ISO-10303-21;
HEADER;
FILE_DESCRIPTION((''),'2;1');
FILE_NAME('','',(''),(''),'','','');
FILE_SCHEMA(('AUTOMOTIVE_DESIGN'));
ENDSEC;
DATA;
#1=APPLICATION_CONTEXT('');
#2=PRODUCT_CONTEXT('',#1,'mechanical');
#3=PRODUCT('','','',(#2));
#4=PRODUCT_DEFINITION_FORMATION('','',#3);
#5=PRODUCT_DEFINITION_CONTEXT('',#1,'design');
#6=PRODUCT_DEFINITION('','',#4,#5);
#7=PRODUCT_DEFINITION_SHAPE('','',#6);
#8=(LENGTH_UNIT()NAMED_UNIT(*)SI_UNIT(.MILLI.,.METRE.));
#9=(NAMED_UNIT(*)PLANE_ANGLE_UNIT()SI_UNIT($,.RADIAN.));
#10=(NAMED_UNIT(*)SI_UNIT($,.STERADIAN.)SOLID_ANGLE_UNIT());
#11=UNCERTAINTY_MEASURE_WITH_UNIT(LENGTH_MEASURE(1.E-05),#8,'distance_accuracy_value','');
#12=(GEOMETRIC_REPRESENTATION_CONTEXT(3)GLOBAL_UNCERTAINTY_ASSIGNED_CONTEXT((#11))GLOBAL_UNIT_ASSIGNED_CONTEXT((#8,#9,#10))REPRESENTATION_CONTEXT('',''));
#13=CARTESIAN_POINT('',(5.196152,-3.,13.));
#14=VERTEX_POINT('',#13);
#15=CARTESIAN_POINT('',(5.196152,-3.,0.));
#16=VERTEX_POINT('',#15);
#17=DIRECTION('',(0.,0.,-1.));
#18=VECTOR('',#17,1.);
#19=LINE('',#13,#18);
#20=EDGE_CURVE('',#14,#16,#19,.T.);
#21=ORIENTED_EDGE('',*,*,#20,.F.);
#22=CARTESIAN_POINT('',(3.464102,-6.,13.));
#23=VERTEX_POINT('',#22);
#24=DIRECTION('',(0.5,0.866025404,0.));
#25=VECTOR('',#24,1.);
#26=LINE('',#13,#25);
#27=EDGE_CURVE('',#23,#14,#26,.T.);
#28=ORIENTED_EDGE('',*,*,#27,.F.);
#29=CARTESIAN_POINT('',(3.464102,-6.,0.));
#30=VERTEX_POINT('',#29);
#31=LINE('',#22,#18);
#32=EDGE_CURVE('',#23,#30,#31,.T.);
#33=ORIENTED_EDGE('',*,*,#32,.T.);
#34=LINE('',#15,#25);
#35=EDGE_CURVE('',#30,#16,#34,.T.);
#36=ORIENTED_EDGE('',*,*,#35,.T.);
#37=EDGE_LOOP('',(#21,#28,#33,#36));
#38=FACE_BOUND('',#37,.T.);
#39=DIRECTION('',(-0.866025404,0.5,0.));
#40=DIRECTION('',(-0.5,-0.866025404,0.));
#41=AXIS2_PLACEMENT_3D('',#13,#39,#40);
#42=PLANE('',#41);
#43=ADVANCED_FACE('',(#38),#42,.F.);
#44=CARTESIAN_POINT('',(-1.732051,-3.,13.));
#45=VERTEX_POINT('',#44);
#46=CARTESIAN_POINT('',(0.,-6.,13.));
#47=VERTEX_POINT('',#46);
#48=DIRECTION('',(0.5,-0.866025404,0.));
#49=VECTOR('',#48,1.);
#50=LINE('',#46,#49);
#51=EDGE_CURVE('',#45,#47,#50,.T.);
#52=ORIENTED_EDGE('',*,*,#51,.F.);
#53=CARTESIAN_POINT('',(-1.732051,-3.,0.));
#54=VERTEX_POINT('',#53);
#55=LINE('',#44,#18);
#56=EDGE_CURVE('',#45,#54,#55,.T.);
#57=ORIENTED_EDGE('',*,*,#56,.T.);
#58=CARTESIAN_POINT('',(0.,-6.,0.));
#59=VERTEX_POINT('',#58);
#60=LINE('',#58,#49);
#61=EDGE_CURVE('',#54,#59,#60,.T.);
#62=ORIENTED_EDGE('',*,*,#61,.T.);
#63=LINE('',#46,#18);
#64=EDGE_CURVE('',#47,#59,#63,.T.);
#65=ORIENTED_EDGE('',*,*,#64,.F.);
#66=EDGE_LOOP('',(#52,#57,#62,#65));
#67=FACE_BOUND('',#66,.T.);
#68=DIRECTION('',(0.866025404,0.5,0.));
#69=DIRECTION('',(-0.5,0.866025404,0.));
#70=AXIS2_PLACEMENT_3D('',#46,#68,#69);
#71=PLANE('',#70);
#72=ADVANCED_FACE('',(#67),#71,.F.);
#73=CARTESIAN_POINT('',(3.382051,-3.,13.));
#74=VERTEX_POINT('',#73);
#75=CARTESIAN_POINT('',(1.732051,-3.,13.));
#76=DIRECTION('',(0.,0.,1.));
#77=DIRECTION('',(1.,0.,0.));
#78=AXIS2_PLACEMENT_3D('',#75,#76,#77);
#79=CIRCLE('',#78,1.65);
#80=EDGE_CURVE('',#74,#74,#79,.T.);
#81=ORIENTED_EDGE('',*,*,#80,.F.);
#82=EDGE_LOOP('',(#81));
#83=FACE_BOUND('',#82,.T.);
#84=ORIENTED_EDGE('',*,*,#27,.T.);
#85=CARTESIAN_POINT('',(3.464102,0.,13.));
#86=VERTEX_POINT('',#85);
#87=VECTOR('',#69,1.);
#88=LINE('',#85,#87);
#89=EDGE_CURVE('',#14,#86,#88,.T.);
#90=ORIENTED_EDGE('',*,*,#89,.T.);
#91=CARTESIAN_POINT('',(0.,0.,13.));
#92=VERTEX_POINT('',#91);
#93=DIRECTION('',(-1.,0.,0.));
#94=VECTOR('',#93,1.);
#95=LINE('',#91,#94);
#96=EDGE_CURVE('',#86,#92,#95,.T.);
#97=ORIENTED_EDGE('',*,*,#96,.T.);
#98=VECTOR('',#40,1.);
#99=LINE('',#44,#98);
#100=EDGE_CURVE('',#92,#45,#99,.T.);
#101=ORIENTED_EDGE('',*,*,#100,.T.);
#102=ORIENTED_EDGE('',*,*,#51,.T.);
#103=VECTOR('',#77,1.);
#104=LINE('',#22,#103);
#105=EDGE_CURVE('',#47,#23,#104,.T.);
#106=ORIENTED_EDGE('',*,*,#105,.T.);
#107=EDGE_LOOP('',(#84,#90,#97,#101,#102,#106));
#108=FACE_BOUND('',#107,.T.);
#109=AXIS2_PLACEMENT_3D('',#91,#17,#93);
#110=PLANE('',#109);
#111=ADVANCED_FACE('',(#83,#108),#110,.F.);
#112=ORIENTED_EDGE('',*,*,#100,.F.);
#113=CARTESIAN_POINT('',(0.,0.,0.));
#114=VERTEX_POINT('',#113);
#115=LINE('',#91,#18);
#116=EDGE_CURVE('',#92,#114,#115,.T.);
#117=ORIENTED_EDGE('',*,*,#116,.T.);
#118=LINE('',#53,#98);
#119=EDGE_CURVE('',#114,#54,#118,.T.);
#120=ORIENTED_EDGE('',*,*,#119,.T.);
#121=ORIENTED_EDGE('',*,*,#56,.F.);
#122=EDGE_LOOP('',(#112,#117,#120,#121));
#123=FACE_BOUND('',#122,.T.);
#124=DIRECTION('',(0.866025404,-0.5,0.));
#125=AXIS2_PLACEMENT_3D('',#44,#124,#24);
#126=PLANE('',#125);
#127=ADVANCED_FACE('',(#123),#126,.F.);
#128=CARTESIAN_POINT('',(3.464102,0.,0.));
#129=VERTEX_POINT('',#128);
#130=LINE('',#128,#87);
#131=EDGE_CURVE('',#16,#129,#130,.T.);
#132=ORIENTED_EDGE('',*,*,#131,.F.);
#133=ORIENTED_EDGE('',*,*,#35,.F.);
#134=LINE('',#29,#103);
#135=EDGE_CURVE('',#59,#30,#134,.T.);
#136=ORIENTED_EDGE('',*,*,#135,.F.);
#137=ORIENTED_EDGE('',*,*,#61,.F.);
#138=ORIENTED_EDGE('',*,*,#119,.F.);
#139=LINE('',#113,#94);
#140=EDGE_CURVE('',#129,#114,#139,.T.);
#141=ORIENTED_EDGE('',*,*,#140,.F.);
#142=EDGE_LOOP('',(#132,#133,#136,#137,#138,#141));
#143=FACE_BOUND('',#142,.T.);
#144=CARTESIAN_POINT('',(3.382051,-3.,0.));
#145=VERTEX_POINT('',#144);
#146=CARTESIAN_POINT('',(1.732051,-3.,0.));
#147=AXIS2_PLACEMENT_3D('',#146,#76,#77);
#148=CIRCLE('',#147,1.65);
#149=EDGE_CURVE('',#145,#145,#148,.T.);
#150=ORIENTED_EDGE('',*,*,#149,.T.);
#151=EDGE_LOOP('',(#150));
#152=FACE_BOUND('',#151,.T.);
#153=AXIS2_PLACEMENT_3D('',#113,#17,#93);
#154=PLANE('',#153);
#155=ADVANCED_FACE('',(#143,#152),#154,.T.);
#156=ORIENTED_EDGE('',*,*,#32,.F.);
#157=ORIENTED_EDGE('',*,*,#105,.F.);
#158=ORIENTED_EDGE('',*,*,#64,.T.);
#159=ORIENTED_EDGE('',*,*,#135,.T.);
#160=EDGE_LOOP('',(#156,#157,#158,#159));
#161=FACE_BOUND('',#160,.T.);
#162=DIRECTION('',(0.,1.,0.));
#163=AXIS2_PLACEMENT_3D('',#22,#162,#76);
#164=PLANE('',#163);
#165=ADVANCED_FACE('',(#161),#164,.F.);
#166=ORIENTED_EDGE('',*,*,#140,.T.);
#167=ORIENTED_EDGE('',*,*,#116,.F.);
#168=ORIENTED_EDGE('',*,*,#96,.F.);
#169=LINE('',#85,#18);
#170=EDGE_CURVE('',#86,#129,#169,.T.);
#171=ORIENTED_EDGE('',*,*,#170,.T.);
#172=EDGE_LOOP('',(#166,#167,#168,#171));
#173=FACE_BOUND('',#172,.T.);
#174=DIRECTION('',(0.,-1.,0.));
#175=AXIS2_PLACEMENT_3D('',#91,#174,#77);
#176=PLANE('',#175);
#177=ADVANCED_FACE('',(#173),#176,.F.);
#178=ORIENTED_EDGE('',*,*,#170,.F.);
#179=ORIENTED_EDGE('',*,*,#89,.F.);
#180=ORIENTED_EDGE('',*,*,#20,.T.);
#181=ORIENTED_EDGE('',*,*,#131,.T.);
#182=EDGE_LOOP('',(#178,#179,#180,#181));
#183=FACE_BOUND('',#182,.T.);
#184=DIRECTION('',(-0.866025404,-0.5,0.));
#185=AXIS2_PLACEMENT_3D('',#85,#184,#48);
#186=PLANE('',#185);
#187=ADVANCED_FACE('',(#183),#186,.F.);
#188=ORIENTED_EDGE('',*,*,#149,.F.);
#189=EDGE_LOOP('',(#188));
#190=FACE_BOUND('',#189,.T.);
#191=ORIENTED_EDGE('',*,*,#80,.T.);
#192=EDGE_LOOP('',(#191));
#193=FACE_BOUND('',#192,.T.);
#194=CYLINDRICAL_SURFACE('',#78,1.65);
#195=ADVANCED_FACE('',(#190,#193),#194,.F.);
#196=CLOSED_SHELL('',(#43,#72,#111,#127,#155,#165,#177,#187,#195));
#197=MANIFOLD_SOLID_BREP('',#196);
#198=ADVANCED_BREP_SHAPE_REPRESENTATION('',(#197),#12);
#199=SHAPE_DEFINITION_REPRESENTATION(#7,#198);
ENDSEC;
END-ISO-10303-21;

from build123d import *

# Parameters (mm, degrees)
EXTRUDE_1_DEPTH    = 13
HOLE_WIZARD_M4_1_D = 3.3


with BuildPart() as part:
    # 草图1 → 凸台-拉伸1 (new body)
    with BuildSketch(Plane.XY):
        Polygon((0, 0), (3.464101615, 0), (5.196152423, -3), (3.464101615, -6), (0, -6), (-1.732050808, -3), align=None)
    extrude(amount=EXTRUDE_1_DEPTH)

    # M4 螺纹孔1 (through all)
    with Locations(Plane.XY.offset(13)):
        with Locations((1.732050808, -3)):
            Hole(HOLE_WIZARD_M4_1_D / 2)


solid = part.part
